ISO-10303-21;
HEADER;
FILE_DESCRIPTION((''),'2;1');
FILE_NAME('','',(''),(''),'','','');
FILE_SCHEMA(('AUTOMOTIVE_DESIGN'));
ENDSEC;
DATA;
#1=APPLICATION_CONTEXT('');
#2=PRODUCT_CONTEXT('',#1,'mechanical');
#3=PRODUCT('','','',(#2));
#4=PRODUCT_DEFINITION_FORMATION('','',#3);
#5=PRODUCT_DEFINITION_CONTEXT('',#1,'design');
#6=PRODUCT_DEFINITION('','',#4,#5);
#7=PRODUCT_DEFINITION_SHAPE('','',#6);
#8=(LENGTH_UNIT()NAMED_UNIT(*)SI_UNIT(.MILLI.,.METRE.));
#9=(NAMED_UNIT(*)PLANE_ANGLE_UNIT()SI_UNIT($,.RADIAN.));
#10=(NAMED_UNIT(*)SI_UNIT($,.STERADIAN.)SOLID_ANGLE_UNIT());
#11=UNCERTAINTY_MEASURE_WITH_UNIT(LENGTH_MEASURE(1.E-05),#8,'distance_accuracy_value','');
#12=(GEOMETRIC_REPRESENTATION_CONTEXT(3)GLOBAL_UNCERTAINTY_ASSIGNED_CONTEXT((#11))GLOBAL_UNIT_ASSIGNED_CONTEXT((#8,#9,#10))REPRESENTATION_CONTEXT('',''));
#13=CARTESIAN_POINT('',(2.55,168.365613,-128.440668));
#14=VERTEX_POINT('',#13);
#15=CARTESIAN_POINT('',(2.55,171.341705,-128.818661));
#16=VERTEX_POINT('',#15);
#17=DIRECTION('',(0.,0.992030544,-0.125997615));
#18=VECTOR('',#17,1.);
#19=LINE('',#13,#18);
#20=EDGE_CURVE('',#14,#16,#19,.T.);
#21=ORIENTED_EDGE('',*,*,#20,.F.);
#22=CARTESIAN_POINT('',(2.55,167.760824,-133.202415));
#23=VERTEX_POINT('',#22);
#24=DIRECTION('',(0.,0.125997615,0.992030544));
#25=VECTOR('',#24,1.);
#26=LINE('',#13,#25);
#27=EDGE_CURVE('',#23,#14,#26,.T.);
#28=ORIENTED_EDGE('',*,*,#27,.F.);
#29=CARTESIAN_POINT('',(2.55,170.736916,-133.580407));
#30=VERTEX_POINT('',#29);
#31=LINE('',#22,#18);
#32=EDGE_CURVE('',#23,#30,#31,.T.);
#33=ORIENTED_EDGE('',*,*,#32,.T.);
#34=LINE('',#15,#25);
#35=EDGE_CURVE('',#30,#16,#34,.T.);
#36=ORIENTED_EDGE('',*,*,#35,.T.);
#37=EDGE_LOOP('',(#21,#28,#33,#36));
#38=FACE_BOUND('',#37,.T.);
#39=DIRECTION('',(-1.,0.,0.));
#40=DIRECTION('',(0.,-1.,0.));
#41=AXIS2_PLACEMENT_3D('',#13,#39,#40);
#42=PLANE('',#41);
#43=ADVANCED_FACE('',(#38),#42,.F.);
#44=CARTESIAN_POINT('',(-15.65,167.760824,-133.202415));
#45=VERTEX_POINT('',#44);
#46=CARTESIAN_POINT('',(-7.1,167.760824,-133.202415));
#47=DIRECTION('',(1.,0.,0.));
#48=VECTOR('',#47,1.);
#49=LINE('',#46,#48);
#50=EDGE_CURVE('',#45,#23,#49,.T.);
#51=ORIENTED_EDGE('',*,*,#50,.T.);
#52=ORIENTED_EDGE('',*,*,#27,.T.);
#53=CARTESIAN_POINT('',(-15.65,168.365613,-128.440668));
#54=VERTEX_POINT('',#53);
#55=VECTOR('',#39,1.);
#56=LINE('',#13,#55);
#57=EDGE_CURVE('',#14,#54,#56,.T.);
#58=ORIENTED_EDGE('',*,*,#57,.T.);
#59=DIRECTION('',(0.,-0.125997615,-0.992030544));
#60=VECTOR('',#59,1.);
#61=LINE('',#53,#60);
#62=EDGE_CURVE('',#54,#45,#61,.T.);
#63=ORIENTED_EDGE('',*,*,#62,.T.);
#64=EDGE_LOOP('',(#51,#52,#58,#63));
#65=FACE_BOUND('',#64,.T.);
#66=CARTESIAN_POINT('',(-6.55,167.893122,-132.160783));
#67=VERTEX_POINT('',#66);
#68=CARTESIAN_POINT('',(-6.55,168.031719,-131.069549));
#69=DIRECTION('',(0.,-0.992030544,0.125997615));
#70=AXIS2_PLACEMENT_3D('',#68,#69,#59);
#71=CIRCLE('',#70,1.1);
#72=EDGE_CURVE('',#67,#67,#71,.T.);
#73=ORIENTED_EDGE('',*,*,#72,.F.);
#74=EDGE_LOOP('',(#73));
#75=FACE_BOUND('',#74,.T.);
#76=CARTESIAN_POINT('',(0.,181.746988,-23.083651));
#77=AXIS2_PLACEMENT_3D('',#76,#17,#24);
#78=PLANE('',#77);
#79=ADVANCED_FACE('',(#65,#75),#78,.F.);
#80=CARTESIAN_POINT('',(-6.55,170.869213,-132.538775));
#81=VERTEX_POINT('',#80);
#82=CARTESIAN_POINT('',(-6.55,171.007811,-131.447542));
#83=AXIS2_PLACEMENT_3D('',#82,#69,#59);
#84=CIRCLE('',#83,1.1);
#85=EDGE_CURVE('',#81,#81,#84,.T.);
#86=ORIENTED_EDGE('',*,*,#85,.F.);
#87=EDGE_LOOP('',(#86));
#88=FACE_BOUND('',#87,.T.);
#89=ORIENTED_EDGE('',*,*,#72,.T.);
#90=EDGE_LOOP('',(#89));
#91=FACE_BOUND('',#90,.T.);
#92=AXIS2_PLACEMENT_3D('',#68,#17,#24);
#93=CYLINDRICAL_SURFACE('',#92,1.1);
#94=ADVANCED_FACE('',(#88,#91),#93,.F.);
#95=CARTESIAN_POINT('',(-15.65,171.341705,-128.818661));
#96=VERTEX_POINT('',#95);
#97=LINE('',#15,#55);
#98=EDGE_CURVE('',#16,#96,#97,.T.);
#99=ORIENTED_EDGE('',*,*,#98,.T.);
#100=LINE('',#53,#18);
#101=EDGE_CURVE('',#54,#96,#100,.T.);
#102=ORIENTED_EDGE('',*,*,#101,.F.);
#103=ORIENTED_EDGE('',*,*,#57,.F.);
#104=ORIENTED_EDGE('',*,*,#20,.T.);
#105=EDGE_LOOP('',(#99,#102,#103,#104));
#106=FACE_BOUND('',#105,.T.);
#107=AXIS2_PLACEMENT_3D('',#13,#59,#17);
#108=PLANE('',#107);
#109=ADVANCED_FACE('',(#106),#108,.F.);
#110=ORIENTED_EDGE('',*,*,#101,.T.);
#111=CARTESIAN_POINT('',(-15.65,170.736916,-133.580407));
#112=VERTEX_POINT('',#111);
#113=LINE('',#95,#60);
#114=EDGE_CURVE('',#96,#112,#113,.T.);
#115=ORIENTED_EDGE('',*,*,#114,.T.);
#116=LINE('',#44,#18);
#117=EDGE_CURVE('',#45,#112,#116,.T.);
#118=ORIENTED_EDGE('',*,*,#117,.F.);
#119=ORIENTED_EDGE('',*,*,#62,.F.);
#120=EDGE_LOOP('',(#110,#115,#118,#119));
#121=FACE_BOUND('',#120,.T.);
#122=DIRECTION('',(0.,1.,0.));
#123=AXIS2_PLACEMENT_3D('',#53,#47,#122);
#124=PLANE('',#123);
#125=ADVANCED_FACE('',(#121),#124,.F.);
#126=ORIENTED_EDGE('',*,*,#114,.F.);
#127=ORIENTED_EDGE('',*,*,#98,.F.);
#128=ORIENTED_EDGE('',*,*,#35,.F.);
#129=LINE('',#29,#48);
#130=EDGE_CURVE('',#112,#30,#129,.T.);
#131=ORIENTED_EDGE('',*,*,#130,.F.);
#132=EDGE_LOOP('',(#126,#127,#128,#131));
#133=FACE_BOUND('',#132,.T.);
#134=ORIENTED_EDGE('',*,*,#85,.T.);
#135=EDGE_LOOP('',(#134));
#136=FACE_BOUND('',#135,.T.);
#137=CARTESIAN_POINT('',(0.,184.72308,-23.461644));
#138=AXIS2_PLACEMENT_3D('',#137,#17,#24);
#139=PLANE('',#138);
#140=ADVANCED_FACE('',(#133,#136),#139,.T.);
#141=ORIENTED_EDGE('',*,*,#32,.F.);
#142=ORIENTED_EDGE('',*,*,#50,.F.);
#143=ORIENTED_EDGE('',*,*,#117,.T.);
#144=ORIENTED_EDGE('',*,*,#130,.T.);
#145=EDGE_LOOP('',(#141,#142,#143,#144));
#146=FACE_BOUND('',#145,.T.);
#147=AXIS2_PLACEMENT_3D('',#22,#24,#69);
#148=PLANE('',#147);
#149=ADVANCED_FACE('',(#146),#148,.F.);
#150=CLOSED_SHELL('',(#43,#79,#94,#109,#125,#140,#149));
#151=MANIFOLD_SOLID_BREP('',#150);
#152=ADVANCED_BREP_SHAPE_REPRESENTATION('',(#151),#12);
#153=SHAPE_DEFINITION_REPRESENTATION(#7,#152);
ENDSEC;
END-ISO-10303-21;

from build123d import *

# Parameters (mm, degrees)
SKETCH1_R           = 1.1
BOSS_EXTRUDE1_DEPTH = 3


with BuildPart() as part:
    # Sketch1 → Boss-Extrude1 (new body)
    with BuildSketch(Plane(origin=(0, 184.723079659, -23.46164399), x_dir=(1, 0, 0), z_dir=(0, -0.9920305444045519, 0.12599761493142836))):
        Polygon((2.55, -106.203400153), (-15.65, -106.203400153), (-15.65, -111.003400153), (-7.1, -111.003400153), (-6, -111.003400153), (2.55, -111.003400153), align=None)
        with Locations(Location((-6.55, -108.853400153, 0), (0, 0, 270))):
            Circle(SKETCH1_R, mode=Mode.SUBTRACT)
    extrude(amount=BOSS_EXTRUDE1_DEPTH)


solid = part.part
